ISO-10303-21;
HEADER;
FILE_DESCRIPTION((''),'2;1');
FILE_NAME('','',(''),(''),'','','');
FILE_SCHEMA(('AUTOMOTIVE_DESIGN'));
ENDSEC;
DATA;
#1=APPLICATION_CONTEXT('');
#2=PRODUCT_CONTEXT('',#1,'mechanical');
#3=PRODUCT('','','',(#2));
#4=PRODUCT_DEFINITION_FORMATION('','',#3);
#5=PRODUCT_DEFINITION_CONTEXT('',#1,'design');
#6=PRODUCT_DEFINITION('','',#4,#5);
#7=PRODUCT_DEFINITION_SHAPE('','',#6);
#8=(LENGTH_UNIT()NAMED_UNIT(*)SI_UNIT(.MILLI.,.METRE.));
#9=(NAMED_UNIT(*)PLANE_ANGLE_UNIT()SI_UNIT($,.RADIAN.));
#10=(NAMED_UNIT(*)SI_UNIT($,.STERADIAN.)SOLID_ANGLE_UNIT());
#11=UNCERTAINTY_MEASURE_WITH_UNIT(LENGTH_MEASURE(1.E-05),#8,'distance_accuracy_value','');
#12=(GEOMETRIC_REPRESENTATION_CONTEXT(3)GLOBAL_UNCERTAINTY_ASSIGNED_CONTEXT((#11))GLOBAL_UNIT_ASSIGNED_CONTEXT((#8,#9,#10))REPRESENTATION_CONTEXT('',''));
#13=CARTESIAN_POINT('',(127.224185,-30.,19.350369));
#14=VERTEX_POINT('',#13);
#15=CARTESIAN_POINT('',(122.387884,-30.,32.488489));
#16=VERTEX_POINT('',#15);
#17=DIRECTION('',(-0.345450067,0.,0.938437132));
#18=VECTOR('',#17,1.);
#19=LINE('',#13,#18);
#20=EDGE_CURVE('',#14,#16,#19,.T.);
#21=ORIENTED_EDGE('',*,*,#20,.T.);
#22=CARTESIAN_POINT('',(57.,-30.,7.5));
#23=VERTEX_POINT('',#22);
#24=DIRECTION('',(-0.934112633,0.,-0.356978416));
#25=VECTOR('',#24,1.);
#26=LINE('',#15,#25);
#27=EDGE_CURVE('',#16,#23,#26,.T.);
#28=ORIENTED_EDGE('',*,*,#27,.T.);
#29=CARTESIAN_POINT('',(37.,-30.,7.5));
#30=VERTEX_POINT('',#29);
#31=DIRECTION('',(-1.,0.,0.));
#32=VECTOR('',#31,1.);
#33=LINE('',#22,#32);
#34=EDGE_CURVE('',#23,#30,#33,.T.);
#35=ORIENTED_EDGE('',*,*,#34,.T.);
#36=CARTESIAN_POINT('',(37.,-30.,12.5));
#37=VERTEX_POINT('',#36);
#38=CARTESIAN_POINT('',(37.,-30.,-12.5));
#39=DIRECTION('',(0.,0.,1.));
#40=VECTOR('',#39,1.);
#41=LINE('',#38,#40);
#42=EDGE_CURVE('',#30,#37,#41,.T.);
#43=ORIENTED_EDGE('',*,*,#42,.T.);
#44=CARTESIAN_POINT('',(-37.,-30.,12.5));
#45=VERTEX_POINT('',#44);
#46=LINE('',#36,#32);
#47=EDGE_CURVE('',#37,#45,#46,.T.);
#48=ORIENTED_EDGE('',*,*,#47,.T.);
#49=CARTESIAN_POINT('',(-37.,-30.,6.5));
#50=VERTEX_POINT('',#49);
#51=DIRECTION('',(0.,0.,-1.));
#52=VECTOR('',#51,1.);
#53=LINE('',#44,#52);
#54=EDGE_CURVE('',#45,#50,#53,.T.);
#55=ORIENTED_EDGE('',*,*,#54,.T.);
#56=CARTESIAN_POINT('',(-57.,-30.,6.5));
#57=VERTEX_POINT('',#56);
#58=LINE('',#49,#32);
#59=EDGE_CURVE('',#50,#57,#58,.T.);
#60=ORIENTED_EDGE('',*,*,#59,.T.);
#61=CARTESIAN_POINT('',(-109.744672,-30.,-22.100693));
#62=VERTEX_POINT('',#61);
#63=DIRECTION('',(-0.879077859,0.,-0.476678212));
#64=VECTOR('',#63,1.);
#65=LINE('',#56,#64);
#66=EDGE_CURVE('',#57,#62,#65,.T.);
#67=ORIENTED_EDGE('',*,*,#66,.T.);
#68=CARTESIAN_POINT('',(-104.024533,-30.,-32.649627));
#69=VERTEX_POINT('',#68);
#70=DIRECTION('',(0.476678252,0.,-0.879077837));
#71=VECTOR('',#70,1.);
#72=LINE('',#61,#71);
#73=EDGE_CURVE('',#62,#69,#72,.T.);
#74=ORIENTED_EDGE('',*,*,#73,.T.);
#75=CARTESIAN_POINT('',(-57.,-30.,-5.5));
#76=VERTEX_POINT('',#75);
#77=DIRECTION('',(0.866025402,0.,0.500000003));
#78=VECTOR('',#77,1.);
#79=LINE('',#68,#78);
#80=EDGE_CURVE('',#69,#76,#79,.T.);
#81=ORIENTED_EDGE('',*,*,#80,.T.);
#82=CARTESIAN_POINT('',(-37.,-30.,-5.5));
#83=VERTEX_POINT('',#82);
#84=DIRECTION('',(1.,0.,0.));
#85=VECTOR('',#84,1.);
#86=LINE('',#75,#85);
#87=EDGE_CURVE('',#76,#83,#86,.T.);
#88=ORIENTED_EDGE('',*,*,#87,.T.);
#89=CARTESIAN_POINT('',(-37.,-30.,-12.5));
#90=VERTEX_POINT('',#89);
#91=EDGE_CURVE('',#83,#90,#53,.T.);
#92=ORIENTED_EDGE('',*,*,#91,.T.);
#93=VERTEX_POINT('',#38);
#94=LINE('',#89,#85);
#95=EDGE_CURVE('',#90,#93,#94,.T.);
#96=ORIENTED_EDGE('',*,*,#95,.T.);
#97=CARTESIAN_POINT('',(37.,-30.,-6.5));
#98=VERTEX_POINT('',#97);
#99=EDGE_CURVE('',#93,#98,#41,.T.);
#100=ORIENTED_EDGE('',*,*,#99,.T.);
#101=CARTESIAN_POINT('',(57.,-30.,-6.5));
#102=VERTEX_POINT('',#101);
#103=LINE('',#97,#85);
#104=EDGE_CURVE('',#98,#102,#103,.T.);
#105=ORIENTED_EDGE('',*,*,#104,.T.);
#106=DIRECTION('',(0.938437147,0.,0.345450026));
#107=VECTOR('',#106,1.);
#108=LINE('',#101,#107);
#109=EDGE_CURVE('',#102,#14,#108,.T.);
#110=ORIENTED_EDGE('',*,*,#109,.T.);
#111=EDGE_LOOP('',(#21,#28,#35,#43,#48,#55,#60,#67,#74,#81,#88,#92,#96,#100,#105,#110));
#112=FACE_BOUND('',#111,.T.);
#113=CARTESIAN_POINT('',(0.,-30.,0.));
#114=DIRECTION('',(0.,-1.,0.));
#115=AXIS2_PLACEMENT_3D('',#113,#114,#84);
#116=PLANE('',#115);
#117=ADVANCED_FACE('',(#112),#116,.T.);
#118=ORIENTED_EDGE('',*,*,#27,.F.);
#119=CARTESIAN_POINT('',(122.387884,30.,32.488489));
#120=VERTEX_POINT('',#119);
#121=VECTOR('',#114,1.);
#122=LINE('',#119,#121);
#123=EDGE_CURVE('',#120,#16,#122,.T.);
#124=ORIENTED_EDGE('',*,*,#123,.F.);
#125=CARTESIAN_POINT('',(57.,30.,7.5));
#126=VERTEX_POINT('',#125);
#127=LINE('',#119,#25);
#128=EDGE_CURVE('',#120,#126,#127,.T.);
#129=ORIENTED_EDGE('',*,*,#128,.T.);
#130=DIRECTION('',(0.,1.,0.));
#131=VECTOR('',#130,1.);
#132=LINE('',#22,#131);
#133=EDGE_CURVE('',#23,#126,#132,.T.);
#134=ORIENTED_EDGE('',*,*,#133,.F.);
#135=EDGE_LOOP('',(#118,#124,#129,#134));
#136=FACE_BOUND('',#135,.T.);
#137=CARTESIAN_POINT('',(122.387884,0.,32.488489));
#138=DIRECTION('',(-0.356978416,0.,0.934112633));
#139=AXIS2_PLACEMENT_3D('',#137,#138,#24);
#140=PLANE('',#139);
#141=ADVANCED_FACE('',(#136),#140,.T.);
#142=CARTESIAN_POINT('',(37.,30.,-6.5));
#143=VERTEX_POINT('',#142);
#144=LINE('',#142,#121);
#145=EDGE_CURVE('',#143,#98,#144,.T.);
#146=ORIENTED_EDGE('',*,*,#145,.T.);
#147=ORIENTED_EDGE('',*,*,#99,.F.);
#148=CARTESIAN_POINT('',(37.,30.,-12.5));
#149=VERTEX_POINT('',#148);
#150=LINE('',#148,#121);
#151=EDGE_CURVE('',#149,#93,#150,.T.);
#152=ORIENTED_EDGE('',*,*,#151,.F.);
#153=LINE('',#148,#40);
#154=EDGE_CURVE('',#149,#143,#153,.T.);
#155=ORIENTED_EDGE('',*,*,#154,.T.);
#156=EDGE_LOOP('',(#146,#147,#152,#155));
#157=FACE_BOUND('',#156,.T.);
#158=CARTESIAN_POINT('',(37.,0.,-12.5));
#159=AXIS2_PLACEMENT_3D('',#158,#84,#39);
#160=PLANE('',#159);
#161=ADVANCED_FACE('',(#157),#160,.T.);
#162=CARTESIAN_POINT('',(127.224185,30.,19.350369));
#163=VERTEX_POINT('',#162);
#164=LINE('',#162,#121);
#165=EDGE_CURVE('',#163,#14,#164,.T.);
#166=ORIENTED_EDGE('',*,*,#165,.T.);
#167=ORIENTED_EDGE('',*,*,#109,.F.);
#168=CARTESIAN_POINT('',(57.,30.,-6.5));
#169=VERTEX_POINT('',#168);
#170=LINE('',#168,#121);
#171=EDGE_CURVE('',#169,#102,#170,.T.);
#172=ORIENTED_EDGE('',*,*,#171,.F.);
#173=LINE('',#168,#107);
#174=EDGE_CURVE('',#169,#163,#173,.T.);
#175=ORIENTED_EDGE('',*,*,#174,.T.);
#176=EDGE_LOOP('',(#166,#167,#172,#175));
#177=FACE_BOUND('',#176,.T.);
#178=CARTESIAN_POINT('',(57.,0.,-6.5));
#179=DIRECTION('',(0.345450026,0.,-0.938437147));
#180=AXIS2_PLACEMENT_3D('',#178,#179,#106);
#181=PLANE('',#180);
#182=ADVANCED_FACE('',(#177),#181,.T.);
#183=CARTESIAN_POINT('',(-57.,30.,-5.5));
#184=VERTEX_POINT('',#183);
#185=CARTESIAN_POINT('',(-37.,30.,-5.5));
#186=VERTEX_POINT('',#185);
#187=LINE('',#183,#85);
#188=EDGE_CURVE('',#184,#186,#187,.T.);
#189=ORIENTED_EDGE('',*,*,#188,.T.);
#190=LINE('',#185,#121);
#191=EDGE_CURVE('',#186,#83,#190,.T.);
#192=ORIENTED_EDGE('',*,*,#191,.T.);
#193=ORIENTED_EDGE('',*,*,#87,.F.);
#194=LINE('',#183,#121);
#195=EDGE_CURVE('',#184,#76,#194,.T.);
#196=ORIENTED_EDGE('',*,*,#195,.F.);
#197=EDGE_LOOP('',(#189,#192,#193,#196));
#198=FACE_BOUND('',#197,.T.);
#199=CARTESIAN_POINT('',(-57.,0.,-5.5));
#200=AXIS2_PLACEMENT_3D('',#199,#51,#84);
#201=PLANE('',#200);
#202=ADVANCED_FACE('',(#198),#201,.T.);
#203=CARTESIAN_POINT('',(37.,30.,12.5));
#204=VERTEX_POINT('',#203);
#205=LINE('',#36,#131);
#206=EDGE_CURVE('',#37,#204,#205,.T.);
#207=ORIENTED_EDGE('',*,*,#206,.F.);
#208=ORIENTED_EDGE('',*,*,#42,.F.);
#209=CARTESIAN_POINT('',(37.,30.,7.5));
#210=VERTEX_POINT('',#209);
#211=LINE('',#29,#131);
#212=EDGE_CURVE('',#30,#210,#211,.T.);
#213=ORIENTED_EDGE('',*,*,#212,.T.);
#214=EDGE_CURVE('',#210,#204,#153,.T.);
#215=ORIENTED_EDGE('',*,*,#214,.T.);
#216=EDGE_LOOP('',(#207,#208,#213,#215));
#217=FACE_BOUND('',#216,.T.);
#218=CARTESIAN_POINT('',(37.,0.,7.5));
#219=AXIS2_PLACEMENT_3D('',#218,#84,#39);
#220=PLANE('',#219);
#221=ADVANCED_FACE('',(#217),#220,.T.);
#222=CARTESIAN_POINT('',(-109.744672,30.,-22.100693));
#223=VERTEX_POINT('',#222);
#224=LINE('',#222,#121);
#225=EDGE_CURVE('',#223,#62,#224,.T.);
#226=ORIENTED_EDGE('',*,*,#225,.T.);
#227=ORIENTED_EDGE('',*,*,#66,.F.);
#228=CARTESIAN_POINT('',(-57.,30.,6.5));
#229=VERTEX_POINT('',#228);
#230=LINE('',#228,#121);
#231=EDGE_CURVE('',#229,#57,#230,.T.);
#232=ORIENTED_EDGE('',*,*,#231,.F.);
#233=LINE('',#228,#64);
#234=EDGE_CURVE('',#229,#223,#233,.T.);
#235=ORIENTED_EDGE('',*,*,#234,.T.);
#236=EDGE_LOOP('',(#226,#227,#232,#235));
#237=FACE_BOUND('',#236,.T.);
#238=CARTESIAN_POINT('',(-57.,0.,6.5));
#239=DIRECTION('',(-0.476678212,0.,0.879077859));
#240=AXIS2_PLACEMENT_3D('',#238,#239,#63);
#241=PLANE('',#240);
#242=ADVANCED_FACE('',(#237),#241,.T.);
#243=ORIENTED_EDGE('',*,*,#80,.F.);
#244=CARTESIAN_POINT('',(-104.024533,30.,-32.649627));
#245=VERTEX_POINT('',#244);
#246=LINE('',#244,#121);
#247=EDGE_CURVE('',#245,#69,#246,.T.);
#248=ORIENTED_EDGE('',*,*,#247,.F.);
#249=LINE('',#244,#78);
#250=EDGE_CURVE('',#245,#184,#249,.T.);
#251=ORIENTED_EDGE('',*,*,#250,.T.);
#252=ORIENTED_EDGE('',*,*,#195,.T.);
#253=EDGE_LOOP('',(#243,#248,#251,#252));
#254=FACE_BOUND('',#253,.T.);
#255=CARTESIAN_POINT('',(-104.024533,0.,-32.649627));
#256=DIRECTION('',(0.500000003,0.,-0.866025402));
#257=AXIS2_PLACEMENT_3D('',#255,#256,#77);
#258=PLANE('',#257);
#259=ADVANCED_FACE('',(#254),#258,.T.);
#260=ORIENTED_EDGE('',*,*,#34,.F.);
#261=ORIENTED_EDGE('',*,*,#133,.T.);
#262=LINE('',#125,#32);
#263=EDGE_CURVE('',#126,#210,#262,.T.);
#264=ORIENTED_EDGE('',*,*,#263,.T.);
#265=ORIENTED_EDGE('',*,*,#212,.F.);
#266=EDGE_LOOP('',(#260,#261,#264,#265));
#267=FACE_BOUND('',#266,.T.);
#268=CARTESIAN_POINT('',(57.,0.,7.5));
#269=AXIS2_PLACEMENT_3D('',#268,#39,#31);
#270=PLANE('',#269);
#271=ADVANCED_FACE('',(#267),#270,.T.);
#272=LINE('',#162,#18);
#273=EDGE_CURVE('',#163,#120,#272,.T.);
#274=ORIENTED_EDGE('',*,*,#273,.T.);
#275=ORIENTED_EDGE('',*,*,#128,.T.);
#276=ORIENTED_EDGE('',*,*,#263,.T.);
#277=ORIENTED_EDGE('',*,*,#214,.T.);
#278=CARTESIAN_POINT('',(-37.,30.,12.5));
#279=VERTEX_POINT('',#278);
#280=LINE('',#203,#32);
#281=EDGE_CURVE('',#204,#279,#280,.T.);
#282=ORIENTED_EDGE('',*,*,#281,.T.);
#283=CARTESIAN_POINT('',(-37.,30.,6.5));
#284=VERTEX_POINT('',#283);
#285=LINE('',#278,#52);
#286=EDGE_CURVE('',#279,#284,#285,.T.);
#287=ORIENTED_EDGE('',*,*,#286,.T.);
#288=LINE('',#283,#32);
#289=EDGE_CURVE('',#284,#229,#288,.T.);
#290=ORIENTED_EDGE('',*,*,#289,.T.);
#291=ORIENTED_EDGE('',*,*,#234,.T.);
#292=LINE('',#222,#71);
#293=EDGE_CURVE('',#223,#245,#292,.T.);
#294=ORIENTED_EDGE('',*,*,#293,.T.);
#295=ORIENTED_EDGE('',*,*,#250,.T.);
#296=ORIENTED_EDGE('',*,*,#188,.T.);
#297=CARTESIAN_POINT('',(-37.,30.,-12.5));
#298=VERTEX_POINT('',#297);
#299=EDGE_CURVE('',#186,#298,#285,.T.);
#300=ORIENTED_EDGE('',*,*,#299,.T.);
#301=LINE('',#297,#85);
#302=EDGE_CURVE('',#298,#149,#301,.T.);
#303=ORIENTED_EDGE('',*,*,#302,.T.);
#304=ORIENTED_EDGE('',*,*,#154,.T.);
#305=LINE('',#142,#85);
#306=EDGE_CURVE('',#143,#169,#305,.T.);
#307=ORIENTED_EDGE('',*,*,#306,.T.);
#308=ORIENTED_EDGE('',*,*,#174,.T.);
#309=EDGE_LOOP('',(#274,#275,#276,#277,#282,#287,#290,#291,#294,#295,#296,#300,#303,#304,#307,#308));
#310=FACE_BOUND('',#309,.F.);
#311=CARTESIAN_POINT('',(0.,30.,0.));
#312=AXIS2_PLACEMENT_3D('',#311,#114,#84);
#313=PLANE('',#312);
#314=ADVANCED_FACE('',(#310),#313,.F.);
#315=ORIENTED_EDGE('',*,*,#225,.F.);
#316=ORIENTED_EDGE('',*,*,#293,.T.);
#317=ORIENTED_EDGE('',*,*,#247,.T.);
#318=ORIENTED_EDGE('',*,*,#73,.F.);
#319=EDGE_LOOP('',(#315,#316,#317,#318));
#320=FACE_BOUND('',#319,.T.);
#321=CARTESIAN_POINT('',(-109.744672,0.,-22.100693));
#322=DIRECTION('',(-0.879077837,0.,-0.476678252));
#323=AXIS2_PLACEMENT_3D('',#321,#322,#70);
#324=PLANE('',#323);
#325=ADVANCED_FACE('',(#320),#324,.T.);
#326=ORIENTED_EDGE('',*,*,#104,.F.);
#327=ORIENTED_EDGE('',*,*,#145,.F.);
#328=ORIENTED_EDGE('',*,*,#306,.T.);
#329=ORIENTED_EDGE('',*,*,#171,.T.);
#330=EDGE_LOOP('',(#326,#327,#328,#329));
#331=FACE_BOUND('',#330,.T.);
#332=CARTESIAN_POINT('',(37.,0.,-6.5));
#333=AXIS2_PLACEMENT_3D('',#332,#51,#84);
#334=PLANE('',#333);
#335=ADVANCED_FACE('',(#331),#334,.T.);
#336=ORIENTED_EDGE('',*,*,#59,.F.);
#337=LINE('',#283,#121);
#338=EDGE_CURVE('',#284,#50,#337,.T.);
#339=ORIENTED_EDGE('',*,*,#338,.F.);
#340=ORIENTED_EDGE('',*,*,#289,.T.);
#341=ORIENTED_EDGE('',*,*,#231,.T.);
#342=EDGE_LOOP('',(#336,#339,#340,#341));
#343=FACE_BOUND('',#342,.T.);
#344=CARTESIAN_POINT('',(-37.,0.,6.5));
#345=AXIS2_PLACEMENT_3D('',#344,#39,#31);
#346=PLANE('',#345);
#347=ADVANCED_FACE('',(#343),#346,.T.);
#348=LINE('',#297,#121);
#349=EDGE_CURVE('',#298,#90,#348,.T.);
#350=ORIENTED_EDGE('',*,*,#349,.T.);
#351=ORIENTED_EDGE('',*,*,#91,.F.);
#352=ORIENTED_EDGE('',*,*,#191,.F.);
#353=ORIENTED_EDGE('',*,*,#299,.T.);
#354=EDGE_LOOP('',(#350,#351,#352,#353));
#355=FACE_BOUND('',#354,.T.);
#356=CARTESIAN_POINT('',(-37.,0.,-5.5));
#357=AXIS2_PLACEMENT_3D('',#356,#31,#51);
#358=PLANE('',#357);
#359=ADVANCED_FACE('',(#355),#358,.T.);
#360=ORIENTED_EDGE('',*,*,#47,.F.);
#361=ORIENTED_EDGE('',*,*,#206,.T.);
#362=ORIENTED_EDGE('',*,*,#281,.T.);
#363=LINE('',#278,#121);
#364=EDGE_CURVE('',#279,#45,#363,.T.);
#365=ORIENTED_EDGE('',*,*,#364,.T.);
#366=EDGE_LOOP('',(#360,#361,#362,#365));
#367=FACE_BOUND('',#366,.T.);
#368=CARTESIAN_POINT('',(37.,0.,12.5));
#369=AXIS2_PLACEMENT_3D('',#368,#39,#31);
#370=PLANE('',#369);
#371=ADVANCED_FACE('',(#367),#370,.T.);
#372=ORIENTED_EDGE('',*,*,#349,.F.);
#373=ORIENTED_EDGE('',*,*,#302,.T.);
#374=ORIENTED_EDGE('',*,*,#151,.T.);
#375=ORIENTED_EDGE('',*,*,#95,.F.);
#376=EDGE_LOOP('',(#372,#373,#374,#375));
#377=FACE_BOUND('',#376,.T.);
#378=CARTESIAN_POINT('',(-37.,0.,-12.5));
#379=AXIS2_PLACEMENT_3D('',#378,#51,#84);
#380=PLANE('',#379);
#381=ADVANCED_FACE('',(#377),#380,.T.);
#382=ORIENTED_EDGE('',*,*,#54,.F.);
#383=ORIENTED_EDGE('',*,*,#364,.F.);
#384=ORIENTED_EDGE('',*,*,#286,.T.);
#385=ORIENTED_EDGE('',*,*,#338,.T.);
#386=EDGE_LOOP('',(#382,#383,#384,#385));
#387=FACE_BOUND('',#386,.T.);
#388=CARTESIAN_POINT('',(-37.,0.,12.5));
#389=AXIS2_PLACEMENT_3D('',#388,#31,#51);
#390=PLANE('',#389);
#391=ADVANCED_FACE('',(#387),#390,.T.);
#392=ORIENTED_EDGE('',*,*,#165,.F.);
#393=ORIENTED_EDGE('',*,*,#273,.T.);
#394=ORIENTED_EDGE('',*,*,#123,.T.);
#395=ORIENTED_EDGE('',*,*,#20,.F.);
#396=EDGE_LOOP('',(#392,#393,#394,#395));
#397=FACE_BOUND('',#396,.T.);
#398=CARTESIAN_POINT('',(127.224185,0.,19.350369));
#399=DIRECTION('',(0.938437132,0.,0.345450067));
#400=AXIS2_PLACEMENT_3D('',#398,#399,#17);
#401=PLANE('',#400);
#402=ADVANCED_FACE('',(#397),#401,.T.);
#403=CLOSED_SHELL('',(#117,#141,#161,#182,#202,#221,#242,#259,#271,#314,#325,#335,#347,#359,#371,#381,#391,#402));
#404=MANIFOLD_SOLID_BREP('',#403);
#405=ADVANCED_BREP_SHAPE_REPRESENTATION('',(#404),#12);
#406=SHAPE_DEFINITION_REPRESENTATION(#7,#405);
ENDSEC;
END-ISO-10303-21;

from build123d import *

# Parameters (mm, degrees)
F1_DEPTH = 30


with BuildPart() as f1:
    # F0 (on Front) → F1 (new body, symmetric)
    with BuildSketch(Plane.XZ):
        Polygon((37, 7.5), (37, 12.5), (-37, 12.5), (-37, 6.5), (-37, -5.5), (-37, -12.5), (37, -12.5), (37, -6.5), align=None)
        Polygon((57, 7.5), (37, 7.5), (37, -6.5), (57, -6.5), (127.224185, 19.350369), (122.387884, 32.488489), align=None)
        Polygon((-37, -5.5), (-37, 6.5), (-57, 6.5), (-109.744672, -22.100693), (-104.024533, -32.649627), (-57, -5.5), align=None)
    extrude(amount=F1_DEPTH, both=True)


solid = f1.part
